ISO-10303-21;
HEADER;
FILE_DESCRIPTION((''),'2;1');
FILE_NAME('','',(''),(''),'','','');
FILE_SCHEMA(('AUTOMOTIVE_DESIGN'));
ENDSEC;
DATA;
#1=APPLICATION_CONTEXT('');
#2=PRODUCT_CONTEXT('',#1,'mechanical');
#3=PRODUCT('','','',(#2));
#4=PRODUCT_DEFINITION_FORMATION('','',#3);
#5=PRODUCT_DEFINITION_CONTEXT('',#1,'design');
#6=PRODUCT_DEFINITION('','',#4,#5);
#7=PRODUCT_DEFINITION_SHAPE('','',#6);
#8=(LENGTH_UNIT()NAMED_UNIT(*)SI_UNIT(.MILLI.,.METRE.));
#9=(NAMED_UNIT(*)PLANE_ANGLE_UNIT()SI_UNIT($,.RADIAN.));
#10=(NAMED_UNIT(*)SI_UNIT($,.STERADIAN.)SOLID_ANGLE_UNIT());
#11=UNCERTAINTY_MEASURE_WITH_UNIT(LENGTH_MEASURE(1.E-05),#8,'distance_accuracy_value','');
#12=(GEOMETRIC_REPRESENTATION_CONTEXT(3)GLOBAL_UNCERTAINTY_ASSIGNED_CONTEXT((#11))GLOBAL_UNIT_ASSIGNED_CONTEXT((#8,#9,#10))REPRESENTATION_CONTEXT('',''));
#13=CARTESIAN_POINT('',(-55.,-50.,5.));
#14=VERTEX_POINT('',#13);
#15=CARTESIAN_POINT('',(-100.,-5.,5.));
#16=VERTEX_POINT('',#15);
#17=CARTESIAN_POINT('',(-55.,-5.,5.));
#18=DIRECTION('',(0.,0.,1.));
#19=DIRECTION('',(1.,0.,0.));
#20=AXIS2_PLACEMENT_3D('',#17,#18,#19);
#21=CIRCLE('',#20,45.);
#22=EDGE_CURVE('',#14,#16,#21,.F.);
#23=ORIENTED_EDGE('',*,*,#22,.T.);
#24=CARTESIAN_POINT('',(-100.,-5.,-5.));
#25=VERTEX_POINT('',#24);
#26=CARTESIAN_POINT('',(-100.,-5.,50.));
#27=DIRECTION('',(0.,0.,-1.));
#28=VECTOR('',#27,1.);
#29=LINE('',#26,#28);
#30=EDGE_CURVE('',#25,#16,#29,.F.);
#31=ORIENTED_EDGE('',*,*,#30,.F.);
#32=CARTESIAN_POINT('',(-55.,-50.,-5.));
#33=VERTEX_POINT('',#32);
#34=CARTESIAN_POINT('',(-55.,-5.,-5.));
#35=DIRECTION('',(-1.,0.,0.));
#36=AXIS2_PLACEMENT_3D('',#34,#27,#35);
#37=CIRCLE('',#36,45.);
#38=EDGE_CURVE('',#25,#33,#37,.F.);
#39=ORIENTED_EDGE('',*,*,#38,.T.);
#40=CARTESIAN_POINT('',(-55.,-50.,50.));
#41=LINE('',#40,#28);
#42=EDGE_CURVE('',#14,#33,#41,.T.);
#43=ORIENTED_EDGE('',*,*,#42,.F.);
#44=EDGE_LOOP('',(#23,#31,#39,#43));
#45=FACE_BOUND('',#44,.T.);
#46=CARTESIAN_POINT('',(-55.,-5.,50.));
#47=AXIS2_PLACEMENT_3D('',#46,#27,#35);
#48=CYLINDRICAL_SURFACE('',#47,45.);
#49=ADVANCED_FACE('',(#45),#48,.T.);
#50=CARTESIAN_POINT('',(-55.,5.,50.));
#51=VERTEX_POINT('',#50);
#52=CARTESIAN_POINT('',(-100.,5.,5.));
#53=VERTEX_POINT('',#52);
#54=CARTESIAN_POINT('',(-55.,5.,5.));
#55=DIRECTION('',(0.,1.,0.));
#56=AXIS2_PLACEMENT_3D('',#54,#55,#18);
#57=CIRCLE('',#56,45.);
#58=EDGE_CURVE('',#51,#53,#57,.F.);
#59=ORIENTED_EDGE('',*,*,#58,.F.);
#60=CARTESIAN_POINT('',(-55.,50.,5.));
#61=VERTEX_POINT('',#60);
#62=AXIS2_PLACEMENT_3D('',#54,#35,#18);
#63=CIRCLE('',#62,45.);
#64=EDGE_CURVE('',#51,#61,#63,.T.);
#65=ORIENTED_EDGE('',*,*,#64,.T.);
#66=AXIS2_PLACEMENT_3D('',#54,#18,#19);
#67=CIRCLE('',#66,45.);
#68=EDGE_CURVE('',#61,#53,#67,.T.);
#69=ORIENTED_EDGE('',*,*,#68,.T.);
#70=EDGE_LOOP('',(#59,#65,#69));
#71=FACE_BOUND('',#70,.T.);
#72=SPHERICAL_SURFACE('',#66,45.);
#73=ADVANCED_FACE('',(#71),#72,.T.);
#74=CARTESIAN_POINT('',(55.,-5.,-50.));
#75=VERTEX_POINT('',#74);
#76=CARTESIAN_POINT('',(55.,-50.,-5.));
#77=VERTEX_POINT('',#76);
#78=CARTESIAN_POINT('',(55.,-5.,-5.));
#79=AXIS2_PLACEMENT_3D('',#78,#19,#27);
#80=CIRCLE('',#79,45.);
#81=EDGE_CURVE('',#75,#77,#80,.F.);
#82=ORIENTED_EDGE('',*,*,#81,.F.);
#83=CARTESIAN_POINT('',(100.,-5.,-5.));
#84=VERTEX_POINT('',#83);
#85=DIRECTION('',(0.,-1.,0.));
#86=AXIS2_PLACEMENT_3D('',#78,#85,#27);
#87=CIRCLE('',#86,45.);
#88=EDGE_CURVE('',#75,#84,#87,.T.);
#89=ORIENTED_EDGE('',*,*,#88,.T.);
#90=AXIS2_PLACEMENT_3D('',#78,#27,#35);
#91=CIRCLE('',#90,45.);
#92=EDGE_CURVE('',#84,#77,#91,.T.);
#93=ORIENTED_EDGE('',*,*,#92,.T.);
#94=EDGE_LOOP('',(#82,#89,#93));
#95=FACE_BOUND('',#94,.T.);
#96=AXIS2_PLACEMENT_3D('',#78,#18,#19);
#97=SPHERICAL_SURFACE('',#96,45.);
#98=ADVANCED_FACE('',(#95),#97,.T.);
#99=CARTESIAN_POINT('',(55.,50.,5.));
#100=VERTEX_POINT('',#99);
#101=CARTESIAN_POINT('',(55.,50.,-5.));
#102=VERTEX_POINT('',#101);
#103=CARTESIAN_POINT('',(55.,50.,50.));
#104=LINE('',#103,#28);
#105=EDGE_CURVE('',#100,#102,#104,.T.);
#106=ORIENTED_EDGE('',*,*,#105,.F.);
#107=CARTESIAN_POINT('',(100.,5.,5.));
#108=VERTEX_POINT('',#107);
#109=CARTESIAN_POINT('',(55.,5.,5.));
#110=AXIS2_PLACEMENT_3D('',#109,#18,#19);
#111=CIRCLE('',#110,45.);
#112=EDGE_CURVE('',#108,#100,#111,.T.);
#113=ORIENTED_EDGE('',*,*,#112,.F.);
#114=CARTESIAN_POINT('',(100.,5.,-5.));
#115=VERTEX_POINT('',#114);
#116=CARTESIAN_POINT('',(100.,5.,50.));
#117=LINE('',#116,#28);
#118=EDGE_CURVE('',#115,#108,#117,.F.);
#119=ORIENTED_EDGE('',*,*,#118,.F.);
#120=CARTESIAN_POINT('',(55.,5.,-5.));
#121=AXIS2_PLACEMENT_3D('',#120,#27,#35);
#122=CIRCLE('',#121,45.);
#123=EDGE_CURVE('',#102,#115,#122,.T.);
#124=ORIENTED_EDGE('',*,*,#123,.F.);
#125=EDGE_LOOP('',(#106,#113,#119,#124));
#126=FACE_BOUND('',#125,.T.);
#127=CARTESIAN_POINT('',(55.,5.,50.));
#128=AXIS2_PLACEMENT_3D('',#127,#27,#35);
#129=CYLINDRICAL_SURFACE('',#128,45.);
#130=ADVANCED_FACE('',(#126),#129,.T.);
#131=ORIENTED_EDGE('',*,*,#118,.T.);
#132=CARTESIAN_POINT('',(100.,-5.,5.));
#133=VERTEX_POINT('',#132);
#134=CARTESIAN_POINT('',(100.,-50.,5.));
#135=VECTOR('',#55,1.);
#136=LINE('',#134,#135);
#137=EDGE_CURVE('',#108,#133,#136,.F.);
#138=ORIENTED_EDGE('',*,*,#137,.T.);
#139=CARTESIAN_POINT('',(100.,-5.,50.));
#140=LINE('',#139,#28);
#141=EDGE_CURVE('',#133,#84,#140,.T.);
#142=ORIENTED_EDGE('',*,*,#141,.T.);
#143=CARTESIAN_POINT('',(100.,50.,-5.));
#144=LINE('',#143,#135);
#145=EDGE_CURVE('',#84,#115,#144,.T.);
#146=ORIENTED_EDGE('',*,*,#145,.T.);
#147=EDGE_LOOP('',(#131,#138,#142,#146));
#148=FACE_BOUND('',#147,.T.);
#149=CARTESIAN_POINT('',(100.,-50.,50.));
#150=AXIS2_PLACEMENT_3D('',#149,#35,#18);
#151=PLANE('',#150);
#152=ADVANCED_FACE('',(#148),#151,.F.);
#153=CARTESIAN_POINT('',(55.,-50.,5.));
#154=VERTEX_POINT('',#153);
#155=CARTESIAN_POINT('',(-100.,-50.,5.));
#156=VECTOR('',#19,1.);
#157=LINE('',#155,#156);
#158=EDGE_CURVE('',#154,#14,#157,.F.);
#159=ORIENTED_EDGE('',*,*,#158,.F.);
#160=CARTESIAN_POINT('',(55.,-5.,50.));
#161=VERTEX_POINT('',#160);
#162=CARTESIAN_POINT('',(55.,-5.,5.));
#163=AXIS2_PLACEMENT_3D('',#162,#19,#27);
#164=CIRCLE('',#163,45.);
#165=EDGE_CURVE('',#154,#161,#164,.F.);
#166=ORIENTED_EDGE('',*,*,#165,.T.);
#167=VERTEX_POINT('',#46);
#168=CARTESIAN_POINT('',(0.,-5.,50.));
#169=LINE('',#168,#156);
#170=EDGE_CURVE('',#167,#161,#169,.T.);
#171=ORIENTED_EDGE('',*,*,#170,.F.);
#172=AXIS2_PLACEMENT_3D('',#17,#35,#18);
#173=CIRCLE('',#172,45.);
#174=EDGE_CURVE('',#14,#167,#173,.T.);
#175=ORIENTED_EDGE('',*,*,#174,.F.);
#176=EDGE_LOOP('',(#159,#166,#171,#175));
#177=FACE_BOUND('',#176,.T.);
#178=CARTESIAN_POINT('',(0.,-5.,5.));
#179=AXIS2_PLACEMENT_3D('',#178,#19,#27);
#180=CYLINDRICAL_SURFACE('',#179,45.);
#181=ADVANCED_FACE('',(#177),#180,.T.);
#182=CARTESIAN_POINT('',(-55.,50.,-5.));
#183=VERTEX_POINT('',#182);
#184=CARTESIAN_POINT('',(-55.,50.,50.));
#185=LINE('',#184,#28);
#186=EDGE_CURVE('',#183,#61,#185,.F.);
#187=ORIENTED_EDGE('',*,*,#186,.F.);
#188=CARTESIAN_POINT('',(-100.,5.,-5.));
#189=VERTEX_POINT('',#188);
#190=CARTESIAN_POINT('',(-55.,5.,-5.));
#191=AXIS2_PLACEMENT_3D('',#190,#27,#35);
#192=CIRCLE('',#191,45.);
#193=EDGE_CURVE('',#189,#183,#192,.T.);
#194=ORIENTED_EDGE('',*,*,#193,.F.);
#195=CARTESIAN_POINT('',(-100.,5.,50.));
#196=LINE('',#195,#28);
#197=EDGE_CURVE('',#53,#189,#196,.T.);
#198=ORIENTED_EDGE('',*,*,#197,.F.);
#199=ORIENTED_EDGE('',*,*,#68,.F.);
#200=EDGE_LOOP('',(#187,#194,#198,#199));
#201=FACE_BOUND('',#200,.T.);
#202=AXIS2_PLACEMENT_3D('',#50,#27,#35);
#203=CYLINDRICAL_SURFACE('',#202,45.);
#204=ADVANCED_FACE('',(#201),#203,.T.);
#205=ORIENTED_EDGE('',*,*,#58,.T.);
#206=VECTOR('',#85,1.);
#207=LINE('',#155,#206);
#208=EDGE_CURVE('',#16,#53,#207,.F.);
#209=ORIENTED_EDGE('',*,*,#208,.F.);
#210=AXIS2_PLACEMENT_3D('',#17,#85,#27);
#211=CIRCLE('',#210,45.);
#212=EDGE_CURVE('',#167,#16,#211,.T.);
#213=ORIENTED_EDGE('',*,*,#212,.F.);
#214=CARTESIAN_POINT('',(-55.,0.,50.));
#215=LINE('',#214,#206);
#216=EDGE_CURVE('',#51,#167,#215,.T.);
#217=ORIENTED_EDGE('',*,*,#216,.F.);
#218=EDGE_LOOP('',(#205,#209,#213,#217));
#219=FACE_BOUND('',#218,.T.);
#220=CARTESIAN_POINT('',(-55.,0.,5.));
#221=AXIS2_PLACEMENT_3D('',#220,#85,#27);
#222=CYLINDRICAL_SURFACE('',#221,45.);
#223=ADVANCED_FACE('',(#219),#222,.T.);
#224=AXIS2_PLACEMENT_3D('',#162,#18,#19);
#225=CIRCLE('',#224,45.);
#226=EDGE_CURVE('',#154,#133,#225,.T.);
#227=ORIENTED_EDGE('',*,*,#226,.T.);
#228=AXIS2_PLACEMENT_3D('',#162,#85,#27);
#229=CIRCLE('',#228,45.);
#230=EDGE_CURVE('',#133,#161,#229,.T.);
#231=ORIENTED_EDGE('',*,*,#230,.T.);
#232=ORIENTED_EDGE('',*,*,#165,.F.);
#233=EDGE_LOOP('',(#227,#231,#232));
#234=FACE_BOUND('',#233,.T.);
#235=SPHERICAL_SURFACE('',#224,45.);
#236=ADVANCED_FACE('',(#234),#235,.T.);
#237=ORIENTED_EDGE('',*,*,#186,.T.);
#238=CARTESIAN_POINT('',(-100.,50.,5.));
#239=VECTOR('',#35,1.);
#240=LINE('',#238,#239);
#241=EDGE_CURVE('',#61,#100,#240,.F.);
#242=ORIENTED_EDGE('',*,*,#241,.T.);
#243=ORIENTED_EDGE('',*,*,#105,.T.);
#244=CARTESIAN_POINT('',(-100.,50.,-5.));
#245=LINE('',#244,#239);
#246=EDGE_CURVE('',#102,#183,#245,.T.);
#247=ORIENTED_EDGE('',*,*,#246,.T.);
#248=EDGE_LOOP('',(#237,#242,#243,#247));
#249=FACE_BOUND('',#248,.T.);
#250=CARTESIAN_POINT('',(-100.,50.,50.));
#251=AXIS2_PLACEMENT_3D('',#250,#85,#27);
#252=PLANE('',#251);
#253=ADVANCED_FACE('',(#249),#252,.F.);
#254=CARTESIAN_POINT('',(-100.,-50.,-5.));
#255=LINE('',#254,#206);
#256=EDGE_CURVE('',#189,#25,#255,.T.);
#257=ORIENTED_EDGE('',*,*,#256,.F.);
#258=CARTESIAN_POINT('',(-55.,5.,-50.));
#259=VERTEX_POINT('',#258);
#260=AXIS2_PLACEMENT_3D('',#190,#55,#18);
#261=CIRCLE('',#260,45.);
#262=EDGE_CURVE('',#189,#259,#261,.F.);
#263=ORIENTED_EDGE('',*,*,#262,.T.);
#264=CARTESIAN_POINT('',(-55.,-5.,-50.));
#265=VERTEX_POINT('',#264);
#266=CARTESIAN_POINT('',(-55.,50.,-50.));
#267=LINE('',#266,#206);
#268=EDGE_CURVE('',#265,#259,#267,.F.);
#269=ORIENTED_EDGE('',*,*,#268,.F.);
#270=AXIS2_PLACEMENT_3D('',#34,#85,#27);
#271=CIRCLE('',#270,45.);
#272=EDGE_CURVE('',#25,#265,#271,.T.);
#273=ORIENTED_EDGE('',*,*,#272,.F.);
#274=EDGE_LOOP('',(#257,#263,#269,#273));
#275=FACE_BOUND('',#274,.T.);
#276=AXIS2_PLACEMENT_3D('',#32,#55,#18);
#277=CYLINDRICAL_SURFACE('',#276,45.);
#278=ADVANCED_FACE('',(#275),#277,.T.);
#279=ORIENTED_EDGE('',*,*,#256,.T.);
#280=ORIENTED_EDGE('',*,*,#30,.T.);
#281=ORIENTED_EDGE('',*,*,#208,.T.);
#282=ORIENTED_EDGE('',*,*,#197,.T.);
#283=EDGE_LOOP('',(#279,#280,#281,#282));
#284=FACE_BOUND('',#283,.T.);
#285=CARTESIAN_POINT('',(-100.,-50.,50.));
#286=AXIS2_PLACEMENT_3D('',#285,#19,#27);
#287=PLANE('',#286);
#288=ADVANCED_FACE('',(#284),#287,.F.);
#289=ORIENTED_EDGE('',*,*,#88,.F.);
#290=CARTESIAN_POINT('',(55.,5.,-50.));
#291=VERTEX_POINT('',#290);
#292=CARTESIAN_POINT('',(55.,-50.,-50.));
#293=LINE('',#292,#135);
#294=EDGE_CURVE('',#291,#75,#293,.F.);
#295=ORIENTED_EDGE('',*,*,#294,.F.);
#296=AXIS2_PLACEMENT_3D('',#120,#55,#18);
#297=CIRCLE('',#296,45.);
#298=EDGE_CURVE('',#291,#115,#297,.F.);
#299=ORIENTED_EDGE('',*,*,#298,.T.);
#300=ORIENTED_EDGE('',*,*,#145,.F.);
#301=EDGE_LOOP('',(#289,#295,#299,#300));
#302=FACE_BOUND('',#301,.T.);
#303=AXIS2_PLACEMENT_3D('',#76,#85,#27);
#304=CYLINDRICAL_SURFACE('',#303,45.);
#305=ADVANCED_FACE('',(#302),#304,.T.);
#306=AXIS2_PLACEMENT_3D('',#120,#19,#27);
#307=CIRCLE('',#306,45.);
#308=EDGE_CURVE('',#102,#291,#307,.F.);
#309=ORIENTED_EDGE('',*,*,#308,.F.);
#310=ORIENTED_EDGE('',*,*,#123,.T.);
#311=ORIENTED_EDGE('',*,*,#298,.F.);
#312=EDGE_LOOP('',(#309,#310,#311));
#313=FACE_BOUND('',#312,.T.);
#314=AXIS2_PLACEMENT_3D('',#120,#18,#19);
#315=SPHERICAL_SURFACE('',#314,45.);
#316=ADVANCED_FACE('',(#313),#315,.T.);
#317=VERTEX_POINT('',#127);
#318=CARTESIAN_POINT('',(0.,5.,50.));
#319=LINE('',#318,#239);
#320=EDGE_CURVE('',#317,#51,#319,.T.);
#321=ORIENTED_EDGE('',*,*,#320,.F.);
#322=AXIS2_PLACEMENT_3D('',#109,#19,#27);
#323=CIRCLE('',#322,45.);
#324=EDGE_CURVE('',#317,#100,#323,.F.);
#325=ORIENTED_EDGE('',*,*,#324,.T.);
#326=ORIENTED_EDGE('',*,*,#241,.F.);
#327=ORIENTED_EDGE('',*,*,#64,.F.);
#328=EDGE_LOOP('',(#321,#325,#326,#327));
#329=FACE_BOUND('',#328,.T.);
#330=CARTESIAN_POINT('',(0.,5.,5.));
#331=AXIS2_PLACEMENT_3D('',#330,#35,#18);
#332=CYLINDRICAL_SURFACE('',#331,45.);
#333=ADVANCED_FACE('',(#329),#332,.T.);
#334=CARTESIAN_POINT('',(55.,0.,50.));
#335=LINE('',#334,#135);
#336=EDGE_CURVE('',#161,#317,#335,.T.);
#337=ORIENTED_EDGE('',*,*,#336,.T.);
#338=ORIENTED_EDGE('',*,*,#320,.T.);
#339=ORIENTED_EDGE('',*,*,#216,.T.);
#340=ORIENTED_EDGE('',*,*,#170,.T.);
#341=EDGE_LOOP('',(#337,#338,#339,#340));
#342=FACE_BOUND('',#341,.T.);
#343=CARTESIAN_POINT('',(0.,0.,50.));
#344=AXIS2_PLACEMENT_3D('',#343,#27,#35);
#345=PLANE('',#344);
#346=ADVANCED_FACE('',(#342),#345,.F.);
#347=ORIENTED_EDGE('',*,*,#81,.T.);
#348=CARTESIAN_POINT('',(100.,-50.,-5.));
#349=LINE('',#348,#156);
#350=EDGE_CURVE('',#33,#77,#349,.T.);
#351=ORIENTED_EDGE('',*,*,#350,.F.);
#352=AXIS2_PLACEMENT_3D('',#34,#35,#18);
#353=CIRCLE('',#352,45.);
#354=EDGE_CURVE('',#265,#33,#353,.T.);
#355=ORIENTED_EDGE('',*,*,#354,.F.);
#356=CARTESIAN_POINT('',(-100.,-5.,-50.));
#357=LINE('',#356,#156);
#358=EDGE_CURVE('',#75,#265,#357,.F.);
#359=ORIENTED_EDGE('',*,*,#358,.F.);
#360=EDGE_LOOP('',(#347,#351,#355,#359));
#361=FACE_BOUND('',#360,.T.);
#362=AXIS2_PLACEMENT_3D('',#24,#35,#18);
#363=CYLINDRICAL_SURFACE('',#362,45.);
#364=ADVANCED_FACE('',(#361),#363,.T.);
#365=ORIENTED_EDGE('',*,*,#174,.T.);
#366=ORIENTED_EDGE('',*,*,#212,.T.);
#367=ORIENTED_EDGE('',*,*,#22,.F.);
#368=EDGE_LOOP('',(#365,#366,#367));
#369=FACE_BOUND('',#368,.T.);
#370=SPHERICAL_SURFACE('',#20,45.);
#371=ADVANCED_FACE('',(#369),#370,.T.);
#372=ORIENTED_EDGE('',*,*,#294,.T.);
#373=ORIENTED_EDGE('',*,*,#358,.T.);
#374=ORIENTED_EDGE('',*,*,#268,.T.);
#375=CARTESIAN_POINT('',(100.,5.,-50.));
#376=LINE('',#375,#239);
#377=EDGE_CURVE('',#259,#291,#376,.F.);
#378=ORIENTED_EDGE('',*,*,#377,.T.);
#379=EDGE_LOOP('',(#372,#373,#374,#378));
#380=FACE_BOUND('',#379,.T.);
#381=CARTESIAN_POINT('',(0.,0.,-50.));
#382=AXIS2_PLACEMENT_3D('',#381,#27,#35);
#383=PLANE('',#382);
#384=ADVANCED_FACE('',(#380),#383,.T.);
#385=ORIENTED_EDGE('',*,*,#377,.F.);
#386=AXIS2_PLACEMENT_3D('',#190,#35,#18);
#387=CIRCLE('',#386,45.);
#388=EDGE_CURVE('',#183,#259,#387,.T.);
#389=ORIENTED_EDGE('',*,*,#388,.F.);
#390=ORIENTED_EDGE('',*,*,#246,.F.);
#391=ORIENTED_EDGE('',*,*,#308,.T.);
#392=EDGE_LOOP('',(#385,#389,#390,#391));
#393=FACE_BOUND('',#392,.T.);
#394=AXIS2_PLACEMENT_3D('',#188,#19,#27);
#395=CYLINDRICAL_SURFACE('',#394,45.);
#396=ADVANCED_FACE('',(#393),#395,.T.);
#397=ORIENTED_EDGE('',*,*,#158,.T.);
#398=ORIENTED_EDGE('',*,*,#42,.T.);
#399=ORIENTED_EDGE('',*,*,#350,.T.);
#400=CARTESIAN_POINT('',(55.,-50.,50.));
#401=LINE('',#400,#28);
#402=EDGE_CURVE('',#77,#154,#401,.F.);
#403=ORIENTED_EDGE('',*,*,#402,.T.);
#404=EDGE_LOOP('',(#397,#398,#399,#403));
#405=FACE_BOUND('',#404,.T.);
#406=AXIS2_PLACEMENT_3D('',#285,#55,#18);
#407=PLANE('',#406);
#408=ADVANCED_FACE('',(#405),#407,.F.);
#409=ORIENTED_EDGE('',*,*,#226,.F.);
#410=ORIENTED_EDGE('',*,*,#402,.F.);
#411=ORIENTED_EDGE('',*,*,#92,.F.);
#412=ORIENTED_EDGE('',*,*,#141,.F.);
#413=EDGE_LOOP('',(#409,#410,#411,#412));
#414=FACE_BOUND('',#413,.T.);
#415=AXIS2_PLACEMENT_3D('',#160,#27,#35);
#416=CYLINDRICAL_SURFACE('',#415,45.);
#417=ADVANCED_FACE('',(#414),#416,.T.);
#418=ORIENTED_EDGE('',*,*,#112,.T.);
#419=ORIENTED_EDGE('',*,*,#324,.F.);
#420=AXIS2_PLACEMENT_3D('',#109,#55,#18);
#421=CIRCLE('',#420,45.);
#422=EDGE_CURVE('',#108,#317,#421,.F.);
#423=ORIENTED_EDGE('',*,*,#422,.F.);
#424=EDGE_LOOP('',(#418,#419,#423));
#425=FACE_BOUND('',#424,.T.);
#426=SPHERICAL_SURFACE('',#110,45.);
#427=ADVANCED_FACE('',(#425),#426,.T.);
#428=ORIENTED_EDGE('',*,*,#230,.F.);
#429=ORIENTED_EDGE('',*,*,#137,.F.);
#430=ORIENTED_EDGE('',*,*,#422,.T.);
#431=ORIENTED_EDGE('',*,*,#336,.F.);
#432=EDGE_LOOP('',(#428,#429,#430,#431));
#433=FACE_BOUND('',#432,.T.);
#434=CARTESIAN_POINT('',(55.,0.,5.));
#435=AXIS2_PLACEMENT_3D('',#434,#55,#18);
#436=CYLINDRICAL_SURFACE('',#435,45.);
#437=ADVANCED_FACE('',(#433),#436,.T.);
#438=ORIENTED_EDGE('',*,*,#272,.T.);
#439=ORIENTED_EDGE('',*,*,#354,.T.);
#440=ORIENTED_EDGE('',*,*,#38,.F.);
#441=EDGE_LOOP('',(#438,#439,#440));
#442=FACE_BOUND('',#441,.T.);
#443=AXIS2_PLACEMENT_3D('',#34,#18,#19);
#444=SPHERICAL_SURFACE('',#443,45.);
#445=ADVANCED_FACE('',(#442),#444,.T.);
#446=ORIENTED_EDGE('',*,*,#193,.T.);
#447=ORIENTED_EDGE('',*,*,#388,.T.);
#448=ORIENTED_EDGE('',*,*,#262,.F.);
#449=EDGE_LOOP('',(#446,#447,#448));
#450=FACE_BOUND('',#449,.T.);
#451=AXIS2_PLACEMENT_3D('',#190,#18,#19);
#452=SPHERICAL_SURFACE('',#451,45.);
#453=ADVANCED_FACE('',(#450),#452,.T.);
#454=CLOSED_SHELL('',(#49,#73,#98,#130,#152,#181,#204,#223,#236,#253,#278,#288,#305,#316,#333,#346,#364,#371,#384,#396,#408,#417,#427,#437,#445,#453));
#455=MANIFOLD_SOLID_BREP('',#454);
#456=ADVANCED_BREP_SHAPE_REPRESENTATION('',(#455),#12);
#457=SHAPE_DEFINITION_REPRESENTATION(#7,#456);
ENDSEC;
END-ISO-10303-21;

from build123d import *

# Parameters (mm, degrees)
SKETCH1_W           = 200
SKETCH1_H           = 100
BOSS_EXTRUDE1_DEPTH = 50
FILLET1_R           = 45


with BuildPart() as part:
    # Sketch1 → Boss-Extrude1 (new, symmetric)
    with BuildSketch(Plane.XY):
        Rectangle(SKETCH1_W, SKETCH1_H)
    extrude(amount=BOSS_EXTRUDE1_DEPTH, both=True)

    # Fillet1
    fillet1_edges = [part.edges().sort_by_distance(p)[0] for p in [
        (-100, 0, 50),
        (0, -50, 50),
        (100, 0, 50),
        (0, -50, -50),
        (-100, 0, -50),
        (0, 50, -50),
        (100, 0, -50),
        (100, -50, 0),
        (-100, -50, 0),
        (-100, 50, 0),
        (100, 50, 0),
        (0, 50, 50),
    ]]
    fillet(fillet1_edges, radius=FILLET1_R)


solid = part.part
